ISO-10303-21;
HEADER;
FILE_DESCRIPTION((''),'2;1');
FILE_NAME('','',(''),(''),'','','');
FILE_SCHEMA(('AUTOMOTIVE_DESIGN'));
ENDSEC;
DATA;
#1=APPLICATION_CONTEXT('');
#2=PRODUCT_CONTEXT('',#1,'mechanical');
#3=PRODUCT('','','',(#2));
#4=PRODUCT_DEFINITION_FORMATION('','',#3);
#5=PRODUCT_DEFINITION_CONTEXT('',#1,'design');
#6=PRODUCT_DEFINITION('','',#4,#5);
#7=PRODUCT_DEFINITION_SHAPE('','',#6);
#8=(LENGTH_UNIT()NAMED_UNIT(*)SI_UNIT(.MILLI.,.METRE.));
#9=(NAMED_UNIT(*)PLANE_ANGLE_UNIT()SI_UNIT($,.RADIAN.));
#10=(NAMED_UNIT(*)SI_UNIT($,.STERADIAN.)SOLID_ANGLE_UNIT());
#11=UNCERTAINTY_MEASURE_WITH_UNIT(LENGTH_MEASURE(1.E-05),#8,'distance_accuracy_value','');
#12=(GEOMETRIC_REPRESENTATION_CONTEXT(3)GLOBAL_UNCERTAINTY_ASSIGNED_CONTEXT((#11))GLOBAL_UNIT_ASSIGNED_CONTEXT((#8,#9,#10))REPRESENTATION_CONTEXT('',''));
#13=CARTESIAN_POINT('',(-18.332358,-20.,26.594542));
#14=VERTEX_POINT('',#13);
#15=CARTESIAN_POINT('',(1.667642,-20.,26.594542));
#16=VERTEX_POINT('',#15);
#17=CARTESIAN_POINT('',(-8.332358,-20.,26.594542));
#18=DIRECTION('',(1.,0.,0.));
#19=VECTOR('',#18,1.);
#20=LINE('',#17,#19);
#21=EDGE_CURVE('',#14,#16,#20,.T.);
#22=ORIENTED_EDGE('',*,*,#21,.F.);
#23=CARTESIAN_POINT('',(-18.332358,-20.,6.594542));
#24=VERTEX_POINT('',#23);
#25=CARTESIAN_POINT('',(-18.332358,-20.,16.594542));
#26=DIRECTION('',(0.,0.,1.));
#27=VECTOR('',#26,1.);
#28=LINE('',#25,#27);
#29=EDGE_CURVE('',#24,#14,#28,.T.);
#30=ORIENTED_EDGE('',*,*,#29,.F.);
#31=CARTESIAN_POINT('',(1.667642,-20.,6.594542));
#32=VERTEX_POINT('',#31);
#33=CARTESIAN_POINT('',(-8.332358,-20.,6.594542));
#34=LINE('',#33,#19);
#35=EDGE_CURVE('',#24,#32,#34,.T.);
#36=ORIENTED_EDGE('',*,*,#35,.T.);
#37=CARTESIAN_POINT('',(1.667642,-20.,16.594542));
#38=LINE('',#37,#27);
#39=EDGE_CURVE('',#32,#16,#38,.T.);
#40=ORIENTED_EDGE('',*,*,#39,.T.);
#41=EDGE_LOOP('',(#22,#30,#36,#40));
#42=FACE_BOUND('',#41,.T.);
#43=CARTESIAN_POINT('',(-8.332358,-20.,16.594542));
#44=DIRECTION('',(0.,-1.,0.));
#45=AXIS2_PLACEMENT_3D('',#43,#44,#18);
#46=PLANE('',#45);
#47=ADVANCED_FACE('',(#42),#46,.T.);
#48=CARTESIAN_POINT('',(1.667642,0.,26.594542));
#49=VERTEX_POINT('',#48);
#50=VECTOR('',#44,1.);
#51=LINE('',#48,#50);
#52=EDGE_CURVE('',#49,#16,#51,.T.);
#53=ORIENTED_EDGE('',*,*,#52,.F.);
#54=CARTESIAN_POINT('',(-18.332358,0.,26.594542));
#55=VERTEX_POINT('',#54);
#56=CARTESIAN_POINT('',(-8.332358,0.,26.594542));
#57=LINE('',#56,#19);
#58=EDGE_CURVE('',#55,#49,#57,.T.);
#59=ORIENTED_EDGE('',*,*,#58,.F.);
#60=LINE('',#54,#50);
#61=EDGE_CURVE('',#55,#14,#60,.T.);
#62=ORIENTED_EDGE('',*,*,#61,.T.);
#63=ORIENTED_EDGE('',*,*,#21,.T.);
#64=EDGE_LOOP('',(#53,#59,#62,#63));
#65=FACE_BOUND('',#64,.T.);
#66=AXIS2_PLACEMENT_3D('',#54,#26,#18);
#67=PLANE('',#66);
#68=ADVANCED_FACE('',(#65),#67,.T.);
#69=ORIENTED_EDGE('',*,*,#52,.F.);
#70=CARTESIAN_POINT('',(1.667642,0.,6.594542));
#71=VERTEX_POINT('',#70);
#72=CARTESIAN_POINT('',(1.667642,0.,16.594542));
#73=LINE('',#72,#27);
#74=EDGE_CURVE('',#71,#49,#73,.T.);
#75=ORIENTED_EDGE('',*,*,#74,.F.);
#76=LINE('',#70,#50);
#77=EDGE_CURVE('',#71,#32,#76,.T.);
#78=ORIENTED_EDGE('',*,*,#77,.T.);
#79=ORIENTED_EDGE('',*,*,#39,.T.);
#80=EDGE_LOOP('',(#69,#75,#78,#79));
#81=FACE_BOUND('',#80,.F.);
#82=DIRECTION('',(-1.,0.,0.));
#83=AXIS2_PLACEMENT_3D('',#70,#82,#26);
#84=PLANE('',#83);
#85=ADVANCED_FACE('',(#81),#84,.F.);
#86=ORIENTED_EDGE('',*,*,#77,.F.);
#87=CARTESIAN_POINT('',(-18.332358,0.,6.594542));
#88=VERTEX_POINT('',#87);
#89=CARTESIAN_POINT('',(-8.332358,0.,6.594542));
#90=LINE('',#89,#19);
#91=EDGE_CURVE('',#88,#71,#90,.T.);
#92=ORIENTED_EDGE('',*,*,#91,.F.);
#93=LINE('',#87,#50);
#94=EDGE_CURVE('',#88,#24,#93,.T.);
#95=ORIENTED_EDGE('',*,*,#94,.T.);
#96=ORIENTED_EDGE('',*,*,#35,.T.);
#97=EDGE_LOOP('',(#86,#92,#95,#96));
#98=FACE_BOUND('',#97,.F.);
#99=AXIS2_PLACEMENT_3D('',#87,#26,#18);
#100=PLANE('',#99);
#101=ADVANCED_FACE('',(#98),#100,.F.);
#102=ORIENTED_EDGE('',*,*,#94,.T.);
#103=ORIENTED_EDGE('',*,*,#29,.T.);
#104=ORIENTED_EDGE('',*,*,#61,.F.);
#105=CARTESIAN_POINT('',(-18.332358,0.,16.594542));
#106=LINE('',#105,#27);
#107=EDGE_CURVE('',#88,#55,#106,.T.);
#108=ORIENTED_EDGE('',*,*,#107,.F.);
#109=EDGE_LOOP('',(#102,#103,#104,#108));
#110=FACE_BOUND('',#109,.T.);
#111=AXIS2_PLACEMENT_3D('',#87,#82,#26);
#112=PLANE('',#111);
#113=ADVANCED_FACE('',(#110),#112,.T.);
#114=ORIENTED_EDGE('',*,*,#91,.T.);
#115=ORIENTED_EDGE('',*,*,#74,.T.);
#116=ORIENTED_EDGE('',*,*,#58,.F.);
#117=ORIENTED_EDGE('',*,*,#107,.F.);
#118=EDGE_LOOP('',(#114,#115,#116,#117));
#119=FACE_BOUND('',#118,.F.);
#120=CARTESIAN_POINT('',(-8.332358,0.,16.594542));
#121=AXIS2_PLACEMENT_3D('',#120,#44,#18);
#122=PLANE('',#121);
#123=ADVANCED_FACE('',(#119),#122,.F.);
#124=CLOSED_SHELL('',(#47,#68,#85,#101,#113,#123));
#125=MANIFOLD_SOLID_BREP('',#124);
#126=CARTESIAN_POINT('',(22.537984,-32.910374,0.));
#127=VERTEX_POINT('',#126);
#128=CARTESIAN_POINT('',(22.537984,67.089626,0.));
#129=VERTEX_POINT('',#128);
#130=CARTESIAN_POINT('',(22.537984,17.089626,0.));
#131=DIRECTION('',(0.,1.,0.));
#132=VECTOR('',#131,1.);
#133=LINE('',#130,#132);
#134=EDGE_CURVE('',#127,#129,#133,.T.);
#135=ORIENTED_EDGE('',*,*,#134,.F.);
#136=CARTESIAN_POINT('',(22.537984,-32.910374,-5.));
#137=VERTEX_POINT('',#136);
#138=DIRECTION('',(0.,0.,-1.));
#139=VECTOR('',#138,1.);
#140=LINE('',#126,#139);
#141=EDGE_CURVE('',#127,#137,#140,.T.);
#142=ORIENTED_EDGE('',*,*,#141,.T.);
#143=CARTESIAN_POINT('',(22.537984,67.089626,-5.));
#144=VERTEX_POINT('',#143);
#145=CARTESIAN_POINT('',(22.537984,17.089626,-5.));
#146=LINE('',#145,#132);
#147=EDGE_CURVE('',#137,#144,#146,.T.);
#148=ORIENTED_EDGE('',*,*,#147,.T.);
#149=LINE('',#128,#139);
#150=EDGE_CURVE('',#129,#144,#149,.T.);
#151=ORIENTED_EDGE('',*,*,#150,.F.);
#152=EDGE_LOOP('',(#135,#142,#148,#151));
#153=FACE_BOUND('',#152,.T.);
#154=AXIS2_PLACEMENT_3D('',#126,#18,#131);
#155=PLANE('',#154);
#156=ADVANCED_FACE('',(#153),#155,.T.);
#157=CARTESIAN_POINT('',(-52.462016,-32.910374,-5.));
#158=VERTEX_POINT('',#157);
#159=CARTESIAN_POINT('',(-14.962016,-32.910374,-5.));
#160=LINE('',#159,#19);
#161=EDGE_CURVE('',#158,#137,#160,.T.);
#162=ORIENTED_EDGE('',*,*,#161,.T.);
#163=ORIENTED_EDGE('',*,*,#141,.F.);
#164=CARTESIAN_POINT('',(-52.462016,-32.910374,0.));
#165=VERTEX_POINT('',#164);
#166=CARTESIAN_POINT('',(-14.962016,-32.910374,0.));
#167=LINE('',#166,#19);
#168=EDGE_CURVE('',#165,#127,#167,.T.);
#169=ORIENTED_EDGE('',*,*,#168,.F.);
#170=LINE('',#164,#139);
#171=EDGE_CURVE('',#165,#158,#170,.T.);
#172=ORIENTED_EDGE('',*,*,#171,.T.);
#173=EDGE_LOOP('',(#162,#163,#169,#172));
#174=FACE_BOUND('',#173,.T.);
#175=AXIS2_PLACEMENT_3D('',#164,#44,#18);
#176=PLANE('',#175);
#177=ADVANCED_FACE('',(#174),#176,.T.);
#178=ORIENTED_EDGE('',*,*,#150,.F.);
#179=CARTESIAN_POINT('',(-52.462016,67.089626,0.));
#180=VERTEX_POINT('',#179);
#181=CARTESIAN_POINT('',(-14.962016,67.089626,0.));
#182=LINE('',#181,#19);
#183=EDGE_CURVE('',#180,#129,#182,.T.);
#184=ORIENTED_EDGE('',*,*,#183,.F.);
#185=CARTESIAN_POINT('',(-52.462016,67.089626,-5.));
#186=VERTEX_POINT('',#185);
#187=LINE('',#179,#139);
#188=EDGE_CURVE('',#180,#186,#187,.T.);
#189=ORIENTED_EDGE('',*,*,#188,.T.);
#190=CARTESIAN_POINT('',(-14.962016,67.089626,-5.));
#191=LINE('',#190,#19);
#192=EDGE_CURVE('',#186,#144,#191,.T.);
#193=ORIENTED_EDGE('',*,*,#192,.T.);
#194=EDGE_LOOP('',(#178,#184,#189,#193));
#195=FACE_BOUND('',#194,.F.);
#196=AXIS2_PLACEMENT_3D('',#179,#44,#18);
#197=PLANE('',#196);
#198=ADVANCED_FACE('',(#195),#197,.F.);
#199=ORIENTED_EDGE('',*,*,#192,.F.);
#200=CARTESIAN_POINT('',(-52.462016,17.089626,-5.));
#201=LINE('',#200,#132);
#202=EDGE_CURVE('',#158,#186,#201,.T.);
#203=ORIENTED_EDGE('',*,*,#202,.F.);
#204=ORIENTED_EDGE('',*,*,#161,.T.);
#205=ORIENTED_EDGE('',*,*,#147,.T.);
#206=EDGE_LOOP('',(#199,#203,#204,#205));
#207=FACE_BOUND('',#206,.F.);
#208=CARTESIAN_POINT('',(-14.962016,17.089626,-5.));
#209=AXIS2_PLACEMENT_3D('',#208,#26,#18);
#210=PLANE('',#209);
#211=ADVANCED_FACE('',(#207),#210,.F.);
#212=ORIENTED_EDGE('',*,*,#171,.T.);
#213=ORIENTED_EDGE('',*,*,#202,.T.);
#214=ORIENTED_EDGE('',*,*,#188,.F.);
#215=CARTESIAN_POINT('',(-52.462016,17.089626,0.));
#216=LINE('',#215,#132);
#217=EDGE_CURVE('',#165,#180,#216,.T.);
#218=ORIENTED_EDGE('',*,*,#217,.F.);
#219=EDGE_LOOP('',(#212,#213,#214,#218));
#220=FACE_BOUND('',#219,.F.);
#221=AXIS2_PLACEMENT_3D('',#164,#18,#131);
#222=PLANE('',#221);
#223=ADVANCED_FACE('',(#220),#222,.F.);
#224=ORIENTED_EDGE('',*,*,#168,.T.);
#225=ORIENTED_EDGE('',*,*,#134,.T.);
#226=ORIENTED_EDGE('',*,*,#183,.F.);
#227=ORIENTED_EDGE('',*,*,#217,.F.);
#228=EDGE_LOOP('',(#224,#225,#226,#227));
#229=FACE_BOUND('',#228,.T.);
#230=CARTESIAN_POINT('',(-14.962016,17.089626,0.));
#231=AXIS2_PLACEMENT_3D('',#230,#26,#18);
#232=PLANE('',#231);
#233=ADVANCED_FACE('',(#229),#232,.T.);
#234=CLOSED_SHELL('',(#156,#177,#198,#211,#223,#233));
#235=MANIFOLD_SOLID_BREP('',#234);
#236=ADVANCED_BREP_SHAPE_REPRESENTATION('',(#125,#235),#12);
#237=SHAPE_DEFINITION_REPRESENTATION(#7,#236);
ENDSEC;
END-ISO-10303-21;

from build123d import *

# Parameters (mm, degrees)
F0_W     = 20
F0_H     = 20
F1_DEPTH = 20
F2_W     = 75
F2_H     = 100
F3_DEPTH = 5


with BuildPart() as f1:
    # F0 (on Front) → F1 (new body)
    with BuildSketch(Plane.XZ):
        with Locations((-8.332358, 16.594542)):
            Rectangle(F0_W, F0_H)
    extrude(amount=F1_DEPTH)


with BuildPart() as f3:
    # F2 (on Top) → F3 (new body)
    with BuildSketch(Plane.XY):
        with Locations((-14.962016, 17.089626)):
            Rectangle(F2_W, F2_H)
    extrude(amount=-F3_DEPTH)


solid = Compound([f1.part, f3.part])
